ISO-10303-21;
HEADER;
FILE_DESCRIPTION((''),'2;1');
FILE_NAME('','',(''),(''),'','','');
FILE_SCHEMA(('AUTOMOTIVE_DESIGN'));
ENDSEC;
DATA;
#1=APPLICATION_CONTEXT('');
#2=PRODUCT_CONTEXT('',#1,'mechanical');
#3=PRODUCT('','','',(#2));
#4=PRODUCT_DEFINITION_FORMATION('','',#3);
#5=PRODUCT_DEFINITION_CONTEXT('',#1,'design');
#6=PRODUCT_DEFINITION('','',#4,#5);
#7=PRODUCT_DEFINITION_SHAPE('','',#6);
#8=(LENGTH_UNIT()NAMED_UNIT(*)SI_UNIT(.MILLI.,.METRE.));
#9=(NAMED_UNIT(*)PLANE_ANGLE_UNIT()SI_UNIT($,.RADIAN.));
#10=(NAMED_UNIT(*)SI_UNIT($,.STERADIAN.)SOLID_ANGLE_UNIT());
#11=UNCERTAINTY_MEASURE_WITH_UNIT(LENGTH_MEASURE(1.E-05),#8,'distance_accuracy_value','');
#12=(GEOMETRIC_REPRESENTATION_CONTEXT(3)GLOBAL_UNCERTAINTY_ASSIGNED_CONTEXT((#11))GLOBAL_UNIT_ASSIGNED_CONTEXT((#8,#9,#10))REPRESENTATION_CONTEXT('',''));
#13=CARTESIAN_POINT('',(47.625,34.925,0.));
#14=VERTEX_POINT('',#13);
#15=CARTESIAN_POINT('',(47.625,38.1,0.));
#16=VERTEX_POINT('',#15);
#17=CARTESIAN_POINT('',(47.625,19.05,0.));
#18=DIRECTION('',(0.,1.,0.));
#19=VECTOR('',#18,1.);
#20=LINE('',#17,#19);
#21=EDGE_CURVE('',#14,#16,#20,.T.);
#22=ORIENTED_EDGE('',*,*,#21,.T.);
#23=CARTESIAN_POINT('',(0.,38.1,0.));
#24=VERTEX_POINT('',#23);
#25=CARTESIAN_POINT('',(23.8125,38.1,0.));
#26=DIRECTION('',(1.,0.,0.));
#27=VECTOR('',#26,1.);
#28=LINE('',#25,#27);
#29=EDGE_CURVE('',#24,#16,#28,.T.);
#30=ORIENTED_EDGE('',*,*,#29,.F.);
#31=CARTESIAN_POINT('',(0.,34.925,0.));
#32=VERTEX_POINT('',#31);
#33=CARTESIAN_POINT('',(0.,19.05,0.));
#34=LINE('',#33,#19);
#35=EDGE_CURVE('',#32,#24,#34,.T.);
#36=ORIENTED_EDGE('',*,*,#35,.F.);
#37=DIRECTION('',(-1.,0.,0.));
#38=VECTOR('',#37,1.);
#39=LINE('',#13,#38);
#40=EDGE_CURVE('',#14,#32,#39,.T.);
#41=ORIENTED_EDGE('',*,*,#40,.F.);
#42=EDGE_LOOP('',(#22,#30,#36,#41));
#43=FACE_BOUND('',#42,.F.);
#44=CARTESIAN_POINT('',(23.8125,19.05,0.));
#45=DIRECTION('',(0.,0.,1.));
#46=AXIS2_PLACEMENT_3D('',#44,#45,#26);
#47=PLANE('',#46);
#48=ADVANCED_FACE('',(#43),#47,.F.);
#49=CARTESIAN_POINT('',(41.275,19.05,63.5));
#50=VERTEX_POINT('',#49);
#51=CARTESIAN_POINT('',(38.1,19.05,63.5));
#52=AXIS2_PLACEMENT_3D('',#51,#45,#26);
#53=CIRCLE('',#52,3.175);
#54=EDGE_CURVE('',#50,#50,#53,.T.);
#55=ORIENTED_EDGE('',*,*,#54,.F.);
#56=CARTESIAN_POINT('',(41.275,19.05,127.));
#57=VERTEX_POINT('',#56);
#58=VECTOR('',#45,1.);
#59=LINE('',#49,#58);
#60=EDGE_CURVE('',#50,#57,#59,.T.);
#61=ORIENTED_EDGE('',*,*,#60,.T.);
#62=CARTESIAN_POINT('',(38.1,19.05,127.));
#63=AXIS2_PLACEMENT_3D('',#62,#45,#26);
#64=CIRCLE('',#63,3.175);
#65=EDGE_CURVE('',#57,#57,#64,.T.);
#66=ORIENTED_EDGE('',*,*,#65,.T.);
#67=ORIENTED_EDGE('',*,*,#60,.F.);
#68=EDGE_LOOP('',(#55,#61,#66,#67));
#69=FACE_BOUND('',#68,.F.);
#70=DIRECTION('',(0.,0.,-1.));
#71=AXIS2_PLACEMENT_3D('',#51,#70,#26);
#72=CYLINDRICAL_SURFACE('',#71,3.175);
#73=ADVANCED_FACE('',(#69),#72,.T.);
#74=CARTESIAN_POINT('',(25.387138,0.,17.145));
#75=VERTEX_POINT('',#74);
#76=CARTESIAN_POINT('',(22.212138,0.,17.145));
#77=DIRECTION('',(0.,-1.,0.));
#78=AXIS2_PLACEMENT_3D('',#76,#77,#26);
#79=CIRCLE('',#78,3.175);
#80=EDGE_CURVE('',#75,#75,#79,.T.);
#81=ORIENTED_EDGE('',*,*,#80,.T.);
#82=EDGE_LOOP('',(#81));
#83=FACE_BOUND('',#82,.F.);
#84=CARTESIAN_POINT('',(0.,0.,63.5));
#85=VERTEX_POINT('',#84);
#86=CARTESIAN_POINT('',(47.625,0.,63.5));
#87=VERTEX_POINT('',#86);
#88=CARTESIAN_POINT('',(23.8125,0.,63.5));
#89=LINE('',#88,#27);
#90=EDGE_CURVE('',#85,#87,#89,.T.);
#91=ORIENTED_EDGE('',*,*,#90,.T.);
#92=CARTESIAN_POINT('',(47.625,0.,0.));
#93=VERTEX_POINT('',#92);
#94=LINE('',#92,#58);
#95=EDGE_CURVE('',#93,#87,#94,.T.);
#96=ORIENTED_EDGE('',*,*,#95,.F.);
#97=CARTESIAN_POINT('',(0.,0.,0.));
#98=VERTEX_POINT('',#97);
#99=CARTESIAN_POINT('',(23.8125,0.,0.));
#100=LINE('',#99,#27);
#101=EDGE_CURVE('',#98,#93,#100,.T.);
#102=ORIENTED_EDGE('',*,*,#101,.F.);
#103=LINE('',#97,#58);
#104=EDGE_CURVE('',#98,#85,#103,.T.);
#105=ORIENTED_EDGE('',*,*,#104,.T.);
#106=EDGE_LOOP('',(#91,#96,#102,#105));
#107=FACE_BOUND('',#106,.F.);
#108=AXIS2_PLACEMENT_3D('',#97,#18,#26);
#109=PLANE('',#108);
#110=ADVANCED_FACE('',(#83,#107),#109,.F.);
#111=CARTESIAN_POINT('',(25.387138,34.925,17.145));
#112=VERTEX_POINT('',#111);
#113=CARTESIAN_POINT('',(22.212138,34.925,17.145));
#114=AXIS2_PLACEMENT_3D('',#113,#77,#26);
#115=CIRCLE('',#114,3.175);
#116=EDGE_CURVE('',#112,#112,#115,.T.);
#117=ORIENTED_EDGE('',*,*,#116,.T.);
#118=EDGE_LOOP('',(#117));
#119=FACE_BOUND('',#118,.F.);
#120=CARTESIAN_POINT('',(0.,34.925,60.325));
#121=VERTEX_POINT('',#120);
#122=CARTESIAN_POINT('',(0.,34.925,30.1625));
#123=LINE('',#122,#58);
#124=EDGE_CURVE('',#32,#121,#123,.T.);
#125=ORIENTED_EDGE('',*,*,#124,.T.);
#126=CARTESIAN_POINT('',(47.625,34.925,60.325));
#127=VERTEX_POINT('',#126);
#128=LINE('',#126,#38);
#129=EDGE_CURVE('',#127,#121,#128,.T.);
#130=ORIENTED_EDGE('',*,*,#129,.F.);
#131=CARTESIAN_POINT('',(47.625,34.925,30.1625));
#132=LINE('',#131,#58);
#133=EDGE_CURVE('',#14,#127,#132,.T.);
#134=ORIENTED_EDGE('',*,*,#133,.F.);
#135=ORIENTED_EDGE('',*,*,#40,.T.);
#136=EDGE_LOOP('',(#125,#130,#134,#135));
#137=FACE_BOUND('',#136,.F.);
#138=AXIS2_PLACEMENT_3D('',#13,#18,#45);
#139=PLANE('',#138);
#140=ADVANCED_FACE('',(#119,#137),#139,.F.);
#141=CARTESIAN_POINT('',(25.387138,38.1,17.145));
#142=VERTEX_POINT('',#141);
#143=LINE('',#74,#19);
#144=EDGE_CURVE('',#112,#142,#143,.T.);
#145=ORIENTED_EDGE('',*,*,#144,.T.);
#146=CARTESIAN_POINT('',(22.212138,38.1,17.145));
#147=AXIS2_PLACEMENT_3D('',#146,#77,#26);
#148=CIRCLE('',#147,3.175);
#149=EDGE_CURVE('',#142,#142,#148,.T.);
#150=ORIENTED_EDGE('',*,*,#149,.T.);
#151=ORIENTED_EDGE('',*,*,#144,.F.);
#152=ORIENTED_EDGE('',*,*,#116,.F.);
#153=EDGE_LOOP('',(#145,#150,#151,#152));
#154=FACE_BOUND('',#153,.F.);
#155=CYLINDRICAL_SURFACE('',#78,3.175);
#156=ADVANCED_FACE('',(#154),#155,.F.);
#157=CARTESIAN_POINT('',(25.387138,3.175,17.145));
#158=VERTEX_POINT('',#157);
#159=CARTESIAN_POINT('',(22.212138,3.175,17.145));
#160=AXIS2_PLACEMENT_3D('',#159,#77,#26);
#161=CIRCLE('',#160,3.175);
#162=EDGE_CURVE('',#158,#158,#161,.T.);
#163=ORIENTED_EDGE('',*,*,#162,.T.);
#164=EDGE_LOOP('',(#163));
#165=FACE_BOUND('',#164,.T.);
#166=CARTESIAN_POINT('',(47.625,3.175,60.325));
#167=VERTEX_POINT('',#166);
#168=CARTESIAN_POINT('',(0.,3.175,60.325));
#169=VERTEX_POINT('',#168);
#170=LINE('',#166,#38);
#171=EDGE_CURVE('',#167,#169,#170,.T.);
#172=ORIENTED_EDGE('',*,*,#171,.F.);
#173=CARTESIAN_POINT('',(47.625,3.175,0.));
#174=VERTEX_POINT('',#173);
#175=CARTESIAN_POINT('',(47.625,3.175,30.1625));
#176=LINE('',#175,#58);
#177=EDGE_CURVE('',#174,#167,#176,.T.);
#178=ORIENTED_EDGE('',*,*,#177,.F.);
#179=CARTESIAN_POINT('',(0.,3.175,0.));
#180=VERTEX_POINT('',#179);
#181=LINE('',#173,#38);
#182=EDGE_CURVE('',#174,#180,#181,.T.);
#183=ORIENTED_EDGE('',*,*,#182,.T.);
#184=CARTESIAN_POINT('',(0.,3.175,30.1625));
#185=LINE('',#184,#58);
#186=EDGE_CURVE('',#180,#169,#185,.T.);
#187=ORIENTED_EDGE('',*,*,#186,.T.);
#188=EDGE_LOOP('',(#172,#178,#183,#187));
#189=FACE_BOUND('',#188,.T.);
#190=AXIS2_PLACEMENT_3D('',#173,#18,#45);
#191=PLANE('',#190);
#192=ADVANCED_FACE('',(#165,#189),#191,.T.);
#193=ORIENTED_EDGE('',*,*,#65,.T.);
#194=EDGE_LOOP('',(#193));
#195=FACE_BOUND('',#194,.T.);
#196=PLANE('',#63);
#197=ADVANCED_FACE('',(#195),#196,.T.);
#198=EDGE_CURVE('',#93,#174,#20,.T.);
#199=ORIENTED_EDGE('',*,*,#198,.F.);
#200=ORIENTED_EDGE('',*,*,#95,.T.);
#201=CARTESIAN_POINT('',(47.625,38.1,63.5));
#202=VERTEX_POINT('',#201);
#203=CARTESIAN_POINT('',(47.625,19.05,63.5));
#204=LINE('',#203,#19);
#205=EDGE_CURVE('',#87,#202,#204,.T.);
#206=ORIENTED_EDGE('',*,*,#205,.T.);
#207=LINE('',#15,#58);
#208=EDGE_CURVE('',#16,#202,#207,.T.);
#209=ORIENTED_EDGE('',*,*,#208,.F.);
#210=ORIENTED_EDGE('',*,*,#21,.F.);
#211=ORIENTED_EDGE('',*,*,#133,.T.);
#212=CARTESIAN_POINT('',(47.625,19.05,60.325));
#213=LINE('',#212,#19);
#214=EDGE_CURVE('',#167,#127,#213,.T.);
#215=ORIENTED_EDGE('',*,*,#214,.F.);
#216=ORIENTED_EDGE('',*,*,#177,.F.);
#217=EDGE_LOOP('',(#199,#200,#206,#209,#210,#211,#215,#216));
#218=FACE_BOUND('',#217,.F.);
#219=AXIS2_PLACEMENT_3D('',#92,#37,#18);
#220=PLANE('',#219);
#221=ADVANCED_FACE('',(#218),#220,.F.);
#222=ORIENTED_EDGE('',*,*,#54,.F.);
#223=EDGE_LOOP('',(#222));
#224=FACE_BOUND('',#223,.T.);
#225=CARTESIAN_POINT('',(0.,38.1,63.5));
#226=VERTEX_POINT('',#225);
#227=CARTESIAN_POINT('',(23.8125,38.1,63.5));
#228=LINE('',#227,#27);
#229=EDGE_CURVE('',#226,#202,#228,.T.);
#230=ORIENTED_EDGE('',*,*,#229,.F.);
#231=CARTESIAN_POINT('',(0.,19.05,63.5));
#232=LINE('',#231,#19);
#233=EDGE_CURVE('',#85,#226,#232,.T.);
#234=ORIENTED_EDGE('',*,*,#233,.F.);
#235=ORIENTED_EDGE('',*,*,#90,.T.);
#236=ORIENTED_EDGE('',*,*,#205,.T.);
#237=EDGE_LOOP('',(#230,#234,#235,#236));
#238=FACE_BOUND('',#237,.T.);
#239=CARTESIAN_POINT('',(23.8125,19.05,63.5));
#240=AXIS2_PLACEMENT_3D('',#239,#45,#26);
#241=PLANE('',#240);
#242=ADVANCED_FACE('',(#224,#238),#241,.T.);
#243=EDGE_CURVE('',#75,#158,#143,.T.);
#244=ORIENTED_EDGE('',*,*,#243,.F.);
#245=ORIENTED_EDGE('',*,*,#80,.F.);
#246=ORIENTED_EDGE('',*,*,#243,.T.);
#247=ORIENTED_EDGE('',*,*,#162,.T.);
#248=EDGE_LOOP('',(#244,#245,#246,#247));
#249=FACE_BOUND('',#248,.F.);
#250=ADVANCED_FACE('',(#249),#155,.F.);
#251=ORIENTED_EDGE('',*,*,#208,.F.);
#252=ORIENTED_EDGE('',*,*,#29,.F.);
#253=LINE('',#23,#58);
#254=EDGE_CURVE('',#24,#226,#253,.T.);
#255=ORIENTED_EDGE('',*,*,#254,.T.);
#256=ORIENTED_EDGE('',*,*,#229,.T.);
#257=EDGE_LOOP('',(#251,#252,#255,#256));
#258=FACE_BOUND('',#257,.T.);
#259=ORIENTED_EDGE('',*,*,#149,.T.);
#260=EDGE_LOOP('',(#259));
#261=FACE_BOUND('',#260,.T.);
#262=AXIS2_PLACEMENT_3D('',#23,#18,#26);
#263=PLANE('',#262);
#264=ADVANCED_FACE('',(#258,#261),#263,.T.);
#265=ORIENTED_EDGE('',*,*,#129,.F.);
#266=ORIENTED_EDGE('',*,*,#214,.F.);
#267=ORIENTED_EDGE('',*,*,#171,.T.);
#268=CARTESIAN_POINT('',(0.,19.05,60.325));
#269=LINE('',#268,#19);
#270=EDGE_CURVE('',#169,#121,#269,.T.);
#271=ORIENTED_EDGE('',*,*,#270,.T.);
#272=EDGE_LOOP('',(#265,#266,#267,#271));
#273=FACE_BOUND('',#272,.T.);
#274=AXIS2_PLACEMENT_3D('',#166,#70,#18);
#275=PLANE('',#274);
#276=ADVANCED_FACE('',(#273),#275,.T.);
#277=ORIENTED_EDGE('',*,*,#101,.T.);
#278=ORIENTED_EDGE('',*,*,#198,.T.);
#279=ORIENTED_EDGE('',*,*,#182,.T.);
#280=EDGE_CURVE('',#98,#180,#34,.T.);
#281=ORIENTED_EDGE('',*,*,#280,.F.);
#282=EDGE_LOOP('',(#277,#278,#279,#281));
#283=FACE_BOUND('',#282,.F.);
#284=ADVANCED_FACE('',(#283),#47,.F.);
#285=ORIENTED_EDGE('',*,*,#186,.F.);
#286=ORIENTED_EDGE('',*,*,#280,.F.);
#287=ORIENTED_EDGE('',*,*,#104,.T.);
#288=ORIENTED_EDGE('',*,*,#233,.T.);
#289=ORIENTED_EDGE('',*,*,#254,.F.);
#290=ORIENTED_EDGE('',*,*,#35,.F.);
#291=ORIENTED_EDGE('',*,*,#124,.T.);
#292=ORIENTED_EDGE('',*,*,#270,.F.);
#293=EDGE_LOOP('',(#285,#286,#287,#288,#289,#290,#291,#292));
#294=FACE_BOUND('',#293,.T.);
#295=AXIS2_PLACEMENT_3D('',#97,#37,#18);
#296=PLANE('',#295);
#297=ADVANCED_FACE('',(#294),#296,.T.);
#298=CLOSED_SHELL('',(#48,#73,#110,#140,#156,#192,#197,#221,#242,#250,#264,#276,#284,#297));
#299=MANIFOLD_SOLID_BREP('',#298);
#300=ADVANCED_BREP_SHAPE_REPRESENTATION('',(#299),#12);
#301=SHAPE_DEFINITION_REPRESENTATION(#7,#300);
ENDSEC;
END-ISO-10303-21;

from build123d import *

# Parameters (mm, degrees)
F0_W     = 47.625
F0_H     = 38.1
F1_DEPTH = 63.5
F2_W     = 31.75
F2_H     = 60.325
F3_DEPTH = 47.625
F4_R     = 3.175
F5_DEPTH = 63.5
F6_R     = 3.175
F7_DEPTH = 45.974


with BuildPart() as f1:
    # F0 (on Top) → F1 (new body)
    with BuildSketch(Plane.XY):
        with Locations((23.8125, 19.05)):
            Rectangle(F0_W, F0_H)
    extrude(amount=F1_DEPTH)

    # F2 (on face) → F3 (cut)
    with BuildSketch(Plane.YZ.offset(47.625)):
        with Locations((19.05, 30.1625)):
            Rectangle(F2_W, F2_H)
    extrude(amount=-F3_DEPTH, mode=Mode.SUBTRACT)

    # F4 (on face) → F5 (join)
    with BuildSketch(Plane.XY.offset(63.5)):
        with Locations((38.1, 19.05)):
            Circle(F4_R)
    extrude(amount=F5_DEPTH)

    # F6 (on face) → F7 (cut)
    with BuildSketch(Plane.XZ):
        with Locations((22.212138, 17.145)):
            Circle(F6_R)
    extrude(amount=-F7_DEPTH, mode=Mode.SUBTRACT)


solid = f1.part
